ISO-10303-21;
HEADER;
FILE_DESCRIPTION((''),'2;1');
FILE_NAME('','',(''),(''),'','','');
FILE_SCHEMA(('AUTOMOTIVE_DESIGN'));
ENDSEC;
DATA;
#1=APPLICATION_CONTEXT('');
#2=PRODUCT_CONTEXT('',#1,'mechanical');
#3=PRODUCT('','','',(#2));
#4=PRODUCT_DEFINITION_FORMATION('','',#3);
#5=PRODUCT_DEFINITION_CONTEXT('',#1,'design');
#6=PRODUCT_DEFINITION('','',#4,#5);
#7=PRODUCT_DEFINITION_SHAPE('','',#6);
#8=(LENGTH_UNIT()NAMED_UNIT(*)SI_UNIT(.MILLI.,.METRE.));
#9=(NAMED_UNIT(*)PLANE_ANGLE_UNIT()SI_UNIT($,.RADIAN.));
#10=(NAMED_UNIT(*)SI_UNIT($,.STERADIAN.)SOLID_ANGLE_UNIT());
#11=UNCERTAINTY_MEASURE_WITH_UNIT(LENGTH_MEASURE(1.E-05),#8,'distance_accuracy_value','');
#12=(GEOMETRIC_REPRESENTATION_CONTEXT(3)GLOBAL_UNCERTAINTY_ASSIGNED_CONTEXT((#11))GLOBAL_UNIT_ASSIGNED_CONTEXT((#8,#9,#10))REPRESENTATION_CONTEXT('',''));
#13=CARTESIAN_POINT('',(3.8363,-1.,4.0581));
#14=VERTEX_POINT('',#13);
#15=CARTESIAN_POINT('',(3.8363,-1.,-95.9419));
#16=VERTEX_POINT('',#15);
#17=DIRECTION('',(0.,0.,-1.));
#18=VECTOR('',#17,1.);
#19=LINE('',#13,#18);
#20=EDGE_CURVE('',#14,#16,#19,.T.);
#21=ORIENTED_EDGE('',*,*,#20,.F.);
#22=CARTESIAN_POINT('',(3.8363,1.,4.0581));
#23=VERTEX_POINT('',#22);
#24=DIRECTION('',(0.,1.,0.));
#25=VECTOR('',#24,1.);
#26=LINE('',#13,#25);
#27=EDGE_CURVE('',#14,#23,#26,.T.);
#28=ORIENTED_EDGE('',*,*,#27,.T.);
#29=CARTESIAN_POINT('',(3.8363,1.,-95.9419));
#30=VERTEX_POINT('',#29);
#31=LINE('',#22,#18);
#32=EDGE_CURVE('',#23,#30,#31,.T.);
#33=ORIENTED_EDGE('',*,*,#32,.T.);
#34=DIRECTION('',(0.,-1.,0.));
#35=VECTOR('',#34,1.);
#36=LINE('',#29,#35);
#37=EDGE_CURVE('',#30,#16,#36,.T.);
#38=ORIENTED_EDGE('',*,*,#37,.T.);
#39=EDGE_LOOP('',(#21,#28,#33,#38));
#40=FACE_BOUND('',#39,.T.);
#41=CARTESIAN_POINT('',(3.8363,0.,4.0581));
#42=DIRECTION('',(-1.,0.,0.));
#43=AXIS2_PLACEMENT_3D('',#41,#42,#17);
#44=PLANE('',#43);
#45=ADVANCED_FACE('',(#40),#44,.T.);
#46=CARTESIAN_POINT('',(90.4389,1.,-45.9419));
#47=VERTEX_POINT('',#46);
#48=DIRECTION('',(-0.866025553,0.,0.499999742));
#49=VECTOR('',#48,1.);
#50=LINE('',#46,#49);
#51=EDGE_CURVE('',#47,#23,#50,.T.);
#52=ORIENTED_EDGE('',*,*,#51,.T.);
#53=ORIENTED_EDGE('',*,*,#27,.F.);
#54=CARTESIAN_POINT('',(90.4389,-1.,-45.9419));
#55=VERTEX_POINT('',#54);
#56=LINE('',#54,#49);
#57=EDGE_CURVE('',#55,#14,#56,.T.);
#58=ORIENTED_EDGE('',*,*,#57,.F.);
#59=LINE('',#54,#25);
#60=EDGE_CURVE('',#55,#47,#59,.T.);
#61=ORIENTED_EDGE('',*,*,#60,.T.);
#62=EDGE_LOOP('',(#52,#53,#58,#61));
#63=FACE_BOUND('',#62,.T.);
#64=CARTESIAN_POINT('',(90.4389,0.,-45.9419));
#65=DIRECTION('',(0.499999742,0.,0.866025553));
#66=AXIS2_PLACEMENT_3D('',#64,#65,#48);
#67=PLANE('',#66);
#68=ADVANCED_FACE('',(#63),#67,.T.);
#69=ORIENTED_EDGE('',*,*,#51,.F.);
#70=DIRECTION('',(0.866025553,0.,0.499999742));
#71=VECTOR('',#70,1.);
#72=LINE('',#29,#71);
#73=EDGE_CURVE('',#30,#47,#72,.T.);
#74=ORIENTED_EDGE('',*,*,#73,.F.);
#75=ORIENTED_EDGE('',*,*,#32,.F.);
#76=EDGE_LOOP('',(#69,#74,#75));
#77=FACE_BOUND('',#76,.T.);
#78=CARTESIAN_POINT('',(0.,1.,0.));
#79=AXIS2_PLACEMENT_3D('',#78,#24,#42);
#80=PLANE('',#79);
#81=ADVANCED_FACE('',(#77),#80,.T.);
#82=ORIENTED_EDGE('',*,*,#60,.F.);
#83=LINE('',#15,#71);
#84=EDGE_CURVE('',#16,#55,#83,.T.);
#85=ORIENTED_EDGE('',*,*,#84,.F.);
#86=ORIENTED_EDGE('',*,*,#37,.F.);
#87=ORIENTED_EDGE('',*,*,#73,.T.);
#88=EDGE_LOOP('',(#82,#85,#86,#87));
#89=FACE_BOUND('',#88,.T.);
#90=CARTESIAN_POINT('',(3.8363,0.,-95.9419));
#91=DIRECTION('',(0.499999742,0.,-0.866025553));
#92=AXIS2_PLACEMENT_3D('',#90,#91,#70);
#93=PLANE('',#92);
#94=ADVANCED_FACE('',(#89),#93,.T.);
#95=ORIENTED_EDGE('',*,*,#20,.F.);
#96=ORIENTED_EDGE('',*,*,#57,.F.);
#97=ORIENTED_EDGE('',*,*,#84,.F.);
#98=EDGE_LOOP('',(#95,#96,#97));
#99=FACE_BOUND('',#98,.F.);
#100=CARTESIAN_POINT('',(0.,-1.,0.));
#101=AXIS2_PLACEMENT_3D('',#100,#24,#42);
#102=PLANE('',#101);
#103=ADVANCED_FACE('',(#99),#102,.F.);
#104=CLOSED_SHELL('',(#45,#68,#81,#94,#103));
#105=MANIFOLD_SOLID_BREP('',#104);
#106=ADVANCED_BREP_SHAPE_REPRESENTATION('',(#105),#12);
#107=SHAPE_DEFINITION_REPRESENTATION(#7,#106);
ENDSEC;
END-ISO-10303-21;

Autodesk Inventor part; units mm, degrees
ref_plane "YZ Plane" through (0, 0, 0) normal (1, 0, 0) x (0, 1, 0)
ref_plane "XZ Plane" through (0, 0, 0) normal (0, 1, 0) x (-1, 0, 0)
ref_plane "XY Plane" through (0, 0, 0) normal (0, 0, 1) x (1, 0, 0)
sketch "Boceto3" plane through (0, 0, 0) normal (0, 1, 0) x (-1, 0, 0)
  line L0 (-3.8363, 4.0581) -> (-3.8363, -95.9419)
  line L1 (-3.8363, -95.9419) -> (-90.4389, -45.9419)
  line L2 (-90.4389, -45.9419) -> (-3.8363, 4.0581)
  point P0 (0, 0)
  dimension "d7" = 100
  dimension "d8" = 100
extrude "Extrusión2" add sketch "Boceto3" along normal mid plane 2
